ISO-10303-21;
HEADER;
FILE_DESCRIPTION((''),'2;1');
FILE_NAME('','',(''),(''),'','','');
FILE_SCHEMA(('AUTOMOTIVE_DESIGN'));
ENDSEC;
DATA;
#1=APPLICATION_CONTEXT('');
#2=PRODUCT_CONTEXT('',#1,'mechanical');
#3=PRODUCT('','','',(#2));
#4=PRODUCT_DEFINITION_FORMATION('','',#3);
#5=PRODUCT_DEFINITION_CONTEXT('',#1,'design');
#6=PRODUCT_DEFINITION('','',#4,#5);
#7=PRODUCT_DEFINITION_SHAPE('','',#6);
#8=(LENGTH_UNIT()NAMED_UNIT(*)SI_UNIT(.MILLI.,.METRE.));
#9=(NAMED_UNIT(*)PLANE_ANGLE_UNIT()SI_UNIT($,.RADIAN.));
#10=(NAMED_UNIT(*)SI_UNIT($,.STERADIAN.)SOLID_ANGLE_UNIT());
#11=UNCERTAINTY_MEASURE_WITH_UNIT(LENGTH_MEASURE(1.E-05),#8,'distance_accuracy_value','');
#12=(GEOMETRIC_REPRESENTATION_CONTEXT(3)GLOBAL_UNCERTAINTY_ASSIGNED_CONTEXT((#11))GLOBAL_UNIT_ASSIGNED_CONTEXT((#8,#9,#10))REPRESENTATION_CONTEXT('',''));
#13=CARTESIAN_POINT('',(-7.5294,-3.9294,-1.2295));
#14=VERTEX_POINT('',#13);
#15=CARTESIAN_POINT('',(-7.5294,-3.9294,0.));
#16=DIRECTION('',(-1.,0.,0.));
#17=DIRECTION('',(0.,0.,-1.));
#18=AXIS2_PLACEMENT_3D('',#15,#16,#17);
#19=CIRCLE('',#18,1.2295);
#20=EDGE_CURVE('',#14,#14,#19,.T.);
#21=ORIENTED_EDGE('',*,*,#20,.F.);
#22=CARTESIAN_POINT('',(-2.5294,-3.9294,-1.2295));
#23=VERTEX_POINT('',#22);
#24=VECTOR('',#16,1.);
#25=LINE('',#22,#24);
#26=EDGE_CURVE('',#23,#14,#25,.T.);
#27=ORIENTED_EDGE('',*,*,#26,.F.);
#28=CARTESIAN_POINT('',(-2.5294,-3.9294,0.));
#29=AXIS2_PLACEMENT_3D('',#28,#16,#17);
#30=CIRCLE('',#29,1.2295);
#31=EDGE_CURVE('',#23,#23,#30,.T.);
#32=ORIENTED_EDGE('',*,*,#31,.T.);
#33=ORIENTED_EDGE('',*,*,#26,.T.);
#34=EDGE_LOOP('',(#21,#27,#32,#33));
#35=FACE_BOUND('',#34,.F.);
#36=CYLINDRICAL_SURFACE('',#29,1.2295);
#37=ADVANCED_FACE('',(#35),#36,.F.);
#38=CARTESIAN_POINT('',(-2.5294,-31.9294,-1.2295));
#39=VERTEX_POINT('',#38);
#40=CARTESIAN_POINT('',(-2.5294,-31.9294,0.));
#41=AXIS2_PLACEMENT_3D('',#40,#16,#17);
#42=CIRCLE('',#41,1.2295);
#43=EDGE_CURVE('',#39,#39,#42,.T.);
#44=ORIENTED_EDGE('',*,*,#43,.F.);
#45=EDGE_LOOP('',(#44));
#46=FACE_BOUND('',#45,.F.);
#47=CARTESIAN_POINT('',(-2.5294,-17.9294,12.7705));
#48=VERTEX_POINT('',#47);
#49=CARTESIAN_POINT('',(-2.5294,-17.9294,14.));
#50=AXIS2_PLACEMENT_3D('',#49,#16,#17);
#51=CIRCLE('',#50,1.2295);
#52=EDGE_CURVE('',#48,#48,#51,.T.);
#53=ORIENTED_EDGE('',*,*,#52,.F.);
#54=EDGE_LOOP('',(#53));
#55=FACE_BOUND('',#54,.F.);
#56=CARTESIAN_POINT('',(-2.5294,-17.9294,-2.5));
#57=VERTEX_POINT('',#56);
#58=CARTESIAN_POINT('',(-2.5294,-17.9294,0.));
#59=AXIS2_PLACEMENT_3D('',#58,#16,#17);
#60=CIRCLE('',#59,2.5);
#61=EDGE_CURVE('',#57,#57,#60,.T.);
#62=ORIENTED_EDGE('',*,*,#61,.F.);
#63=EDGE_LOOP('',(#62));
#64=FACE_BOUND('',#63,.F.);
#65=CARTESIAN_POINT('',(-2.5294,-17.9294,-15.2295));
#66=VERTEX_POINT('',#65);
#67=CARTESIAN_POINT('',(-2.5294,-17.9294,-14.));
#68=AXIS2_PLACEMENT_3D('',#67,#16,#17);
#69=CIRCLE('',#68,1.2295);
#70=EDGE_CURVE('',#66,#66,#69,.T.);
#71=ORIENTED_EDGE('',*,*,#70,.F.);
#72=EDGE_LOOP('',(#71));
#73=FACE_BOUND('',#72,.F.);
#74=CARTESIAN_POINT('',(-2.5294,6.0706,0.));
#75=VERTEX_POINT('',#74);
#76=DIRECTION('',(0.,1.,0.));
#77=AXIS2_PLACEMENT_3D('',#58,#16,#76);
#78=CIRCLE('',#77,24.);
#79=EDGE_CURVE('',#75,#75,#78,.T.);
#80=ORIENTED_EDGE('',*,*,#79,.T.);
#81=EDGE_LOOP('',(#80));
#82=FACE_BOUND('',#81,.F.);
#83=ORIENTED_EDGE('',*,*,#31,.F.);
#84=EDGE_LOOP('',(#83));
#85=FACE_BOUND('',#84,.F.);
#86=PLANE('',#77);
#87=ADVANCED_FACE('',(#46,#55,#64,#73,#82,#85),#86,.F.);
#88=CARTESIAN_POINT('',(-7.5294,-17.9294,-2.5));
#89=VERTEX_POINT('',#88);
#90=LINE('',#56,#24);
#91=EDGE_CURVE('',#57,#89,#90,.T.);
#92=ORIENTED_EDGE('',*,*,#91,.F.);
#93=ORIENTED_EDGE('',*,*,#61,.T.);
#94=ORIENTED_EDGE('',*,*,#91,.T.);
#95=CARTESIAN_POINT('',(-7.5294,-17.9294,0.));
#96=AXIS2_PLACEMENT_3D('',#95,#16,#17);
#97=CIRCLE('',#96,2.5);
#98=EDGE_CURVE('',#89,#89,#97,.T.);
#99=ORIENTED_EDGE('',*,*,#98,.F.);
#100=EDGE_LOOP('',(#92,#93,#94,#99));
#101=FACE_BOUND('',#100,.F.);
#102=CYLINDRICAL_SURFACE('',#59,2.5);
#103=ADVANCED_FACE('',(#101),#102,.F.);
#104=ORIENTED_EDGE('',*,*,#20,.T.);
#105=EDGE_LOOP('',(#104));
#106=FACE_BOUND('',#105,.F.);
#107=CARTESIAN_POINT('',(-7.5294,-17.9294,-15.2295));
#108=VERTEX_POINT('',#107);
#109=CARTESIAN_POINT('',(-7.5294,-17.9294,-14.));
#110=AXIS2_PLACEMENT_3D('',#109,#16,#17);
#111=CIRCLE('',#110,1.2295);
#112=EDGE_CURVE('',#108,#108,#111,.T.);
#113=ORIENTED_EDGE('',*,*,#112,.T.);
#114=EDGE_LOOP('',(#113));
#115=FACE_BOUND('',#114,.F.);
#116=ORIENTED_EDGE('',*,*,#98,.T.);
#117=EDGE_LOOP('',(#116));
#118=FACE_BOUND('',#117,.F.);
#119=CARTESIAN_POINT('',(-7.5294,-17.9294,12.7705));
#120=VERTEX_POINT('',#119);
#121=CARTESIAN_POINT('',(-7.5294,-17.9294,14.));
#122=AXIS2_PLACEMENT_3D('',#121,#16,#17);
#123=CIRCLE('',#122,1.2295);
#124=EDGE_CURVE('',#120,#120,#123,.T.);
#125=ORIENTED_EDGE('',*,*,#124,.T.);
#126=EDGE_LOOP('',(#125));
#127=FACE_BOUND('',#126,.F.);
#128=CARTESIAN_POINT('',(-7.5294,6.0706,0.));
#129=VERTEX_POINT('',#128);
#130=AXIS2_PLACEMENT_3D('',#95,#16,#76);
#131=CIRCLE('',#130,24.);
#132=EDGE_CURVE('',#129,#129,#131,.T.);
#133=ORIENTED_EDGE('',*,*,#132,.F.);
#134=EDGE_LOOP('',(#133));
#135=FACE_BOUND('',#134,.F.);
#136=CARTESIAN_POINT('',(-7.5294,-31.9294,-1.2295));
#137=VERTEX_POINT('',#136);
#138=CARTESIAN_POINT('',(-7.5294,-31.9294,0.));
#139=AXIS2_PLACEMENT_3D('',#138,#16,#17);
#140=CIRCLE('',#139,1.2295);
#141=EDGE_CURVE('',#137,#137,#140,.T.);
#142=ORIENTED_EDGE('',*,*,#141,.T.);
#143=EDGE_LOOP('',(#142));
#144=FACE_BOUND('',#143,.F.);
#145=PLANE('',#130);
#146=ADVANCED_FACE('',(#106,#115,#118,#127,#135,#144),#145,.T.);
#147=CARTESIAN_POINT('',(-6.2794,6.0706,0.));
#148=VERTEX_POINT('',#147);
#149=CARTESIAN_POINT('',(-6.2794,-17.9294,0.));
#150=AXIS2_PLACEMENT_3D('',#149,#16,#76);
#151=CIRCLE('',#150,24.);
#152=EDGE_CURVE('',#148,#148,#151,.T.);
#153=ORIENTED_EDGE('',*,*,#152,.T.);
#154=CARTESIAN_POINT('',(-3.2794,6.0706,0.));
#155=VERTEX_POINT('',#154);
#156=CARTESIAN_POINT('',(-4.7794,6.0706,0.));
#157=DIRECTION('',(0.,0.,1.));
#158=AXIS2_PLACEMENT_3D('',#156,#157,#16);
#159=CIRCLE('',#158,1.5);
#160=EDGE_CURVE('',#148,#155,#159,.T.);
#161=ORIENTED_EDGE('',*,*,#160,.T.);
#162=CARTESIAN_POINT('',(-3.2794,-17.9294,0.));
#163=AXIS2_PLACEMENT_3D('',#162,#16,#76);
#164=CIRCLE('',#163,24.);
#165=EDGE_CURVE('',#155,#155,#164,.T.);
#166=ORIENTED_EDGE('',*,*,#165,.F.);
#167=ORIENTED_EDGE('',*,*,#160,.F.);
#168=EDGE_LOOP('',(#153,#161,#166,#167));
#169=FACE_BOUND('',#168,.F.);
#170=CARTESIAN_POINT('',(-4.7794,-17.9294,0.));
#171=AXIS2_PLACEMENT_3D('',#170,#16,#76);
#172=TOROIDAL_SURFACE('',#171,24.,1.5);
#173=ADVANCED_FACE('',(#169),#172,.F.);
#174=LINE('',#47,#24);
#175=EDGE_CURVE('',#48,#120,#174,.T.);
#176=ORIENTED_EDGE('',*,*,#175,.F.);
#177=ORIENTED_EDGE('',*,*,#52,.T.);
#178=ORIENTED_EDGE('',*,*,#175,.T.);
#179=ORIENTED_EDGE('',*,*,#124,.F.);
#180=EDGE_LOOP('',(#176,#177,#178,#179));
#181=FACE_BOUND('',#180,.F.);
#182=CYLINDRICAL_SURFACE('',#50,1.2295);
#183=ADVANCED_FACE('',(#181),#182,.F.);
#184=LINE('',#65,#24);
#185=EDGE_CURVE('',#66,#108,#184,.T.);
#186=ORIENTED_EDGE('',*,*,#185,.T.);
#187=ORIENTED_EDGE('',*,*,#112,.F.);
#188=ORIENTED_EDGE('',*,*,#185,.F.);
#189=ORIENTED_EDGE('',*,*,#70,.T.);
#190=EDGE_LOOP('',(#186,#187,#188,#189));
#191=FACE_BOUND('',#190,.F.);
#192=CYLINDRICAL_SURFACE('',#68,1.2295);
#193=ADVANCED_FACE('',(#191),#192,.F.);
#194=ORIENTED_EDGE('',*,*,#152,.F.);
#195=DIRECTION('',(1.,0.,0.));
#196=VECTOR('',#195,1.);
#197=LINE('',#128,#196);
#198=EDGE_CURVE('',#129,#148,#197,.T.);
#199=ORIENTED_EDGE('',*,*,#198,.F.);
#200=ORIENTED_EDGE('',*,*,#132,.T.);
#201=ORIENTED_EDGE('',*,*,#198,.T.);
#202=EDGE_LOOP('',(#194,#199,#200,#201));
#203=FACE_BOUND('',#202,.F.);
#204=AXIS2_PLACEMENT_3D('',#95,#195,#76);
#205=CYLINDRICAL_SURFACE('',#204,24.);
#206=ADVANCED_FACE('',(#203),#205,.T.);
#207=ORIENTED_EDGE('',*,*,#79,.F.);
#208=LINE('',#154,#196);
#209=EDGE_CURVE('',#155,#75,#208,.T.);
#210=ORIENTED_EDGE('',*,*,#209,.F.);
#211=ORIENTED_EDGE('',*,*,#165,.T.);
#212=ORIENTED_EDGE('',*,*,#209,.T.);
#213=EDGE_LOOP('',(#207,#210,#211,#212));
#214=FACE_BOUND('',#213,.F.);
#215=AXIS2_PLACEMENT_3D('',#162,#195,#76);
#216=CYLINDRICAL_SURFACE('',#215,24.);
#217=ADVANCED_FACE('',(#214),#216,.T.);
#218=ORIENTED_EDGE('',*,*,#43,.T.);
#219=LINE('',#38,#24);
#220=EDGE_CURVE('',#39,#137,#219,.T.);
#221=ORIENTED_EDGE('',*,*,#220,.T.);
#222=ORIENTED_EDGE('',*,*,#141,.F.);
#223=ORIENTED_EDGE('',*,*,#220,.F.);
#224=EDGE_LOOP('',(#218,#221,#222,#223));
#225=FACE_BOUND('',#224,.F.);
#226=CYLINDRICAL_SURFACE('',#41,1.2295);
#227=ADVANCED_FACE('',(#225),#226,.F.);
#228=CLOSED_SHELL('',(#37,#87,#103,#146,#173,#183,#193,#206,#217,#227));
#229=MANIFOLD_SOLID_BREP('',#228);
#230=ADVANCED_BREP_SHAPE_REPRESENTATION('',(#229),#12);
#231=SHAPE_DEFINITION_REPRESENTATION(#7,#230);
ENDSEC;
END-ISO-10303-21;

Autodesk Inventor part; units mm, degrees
ref_plane "YZ Plane" through (0, 0, 0) normal (1, 0, 0) x (0, 1, 0)
ref_plane "XZ Plane" through (0, 0, 0) normal (0, 1, 0) x (-1, 0, 0)
ref_plane "XY Plane" through (0, 0, 0) normal (0, 0, 1) x (1, 0, 0)
sketch "スケッチ1" plane through (0, 0, 0) normal (0, 0, 1) x (1, 0, 0)
  line L0 (-2.5294, 6.0706) -> (-2.5294, -17.9294)
  line L1 (-2.5294, -17.9294) -> (-7.5294, -17.9294)
  line L2 (-7.5294, -17.9294) -> (-7.5294, 6.0706)
  arc A0 (-6.2794, 6.0706) -> (-3.2794, 6.0706) centre (-4.7794, 6.0706) ccw
  line L3 (-7.5294, 6.0706) -> (-6.2794, 6.0706)
  line L4 (-3.2794, 6.0706) -> (-2.5294, 6.0706)
  point P0 (0, 0)
  dimension "d0" = 5
  dimension "d3" = 3
revolve "回転1" add sketch "スケッチ1" angle 360 about axis through (-2.5294, -17.9294, 0) along (-1, 0, 0)
sketch "スケッチ2" plane through (-2.5294, -17.9294, 0) normal (1, 0, 0) x (0, 0, -1)
  circle A0 centre (0, 0) radius 24 projected
  circle A1 centre (0, 0) radius 14
  circle A2 centre (-14, 0) radius 1.5
  circle A3 centre (14, 0) radius 1.5
  circle A4 centre (0, -14) radius 1.5
  circle A5 centre (0, 14) radius 1.5
  point P0 (0, 17.9294)
  dimension "d5" = 28
  dimension "d7" = 3
  dimension "d8" = 3
  dimension "d9" = 3
  dimension "d10" = 3
hole "穴1" at (-2.5294, -3.9294, 0) at (-2.5294, -17.9294, 14) at (-2.5294, -31.9294, 0) at (-2.5294, -17.9294, -14) direction (-1, 0, 0) diameter 2.459 end through all thread size "M3x0.5" class "6H" standard "ANSI Metric M Profile"
sketch "スケッチ3" plane through (-2.5294, -17.9294, 0) normal (1, 0, 0) x (0, 0, -1)
  circle A0 centre (0, 0) radius 24 projected
  circle A1 centre (0, 0) radius 2.5
  point P0 (0, 17.9294)
  dimension "d18" = 5
hole "穴2" at (-2.5294, -17.9294, 0) direction (-1, 0, 0) diameter 5 end through all
properties part number "hoiiru" material "アルミニウム 6061-O"
